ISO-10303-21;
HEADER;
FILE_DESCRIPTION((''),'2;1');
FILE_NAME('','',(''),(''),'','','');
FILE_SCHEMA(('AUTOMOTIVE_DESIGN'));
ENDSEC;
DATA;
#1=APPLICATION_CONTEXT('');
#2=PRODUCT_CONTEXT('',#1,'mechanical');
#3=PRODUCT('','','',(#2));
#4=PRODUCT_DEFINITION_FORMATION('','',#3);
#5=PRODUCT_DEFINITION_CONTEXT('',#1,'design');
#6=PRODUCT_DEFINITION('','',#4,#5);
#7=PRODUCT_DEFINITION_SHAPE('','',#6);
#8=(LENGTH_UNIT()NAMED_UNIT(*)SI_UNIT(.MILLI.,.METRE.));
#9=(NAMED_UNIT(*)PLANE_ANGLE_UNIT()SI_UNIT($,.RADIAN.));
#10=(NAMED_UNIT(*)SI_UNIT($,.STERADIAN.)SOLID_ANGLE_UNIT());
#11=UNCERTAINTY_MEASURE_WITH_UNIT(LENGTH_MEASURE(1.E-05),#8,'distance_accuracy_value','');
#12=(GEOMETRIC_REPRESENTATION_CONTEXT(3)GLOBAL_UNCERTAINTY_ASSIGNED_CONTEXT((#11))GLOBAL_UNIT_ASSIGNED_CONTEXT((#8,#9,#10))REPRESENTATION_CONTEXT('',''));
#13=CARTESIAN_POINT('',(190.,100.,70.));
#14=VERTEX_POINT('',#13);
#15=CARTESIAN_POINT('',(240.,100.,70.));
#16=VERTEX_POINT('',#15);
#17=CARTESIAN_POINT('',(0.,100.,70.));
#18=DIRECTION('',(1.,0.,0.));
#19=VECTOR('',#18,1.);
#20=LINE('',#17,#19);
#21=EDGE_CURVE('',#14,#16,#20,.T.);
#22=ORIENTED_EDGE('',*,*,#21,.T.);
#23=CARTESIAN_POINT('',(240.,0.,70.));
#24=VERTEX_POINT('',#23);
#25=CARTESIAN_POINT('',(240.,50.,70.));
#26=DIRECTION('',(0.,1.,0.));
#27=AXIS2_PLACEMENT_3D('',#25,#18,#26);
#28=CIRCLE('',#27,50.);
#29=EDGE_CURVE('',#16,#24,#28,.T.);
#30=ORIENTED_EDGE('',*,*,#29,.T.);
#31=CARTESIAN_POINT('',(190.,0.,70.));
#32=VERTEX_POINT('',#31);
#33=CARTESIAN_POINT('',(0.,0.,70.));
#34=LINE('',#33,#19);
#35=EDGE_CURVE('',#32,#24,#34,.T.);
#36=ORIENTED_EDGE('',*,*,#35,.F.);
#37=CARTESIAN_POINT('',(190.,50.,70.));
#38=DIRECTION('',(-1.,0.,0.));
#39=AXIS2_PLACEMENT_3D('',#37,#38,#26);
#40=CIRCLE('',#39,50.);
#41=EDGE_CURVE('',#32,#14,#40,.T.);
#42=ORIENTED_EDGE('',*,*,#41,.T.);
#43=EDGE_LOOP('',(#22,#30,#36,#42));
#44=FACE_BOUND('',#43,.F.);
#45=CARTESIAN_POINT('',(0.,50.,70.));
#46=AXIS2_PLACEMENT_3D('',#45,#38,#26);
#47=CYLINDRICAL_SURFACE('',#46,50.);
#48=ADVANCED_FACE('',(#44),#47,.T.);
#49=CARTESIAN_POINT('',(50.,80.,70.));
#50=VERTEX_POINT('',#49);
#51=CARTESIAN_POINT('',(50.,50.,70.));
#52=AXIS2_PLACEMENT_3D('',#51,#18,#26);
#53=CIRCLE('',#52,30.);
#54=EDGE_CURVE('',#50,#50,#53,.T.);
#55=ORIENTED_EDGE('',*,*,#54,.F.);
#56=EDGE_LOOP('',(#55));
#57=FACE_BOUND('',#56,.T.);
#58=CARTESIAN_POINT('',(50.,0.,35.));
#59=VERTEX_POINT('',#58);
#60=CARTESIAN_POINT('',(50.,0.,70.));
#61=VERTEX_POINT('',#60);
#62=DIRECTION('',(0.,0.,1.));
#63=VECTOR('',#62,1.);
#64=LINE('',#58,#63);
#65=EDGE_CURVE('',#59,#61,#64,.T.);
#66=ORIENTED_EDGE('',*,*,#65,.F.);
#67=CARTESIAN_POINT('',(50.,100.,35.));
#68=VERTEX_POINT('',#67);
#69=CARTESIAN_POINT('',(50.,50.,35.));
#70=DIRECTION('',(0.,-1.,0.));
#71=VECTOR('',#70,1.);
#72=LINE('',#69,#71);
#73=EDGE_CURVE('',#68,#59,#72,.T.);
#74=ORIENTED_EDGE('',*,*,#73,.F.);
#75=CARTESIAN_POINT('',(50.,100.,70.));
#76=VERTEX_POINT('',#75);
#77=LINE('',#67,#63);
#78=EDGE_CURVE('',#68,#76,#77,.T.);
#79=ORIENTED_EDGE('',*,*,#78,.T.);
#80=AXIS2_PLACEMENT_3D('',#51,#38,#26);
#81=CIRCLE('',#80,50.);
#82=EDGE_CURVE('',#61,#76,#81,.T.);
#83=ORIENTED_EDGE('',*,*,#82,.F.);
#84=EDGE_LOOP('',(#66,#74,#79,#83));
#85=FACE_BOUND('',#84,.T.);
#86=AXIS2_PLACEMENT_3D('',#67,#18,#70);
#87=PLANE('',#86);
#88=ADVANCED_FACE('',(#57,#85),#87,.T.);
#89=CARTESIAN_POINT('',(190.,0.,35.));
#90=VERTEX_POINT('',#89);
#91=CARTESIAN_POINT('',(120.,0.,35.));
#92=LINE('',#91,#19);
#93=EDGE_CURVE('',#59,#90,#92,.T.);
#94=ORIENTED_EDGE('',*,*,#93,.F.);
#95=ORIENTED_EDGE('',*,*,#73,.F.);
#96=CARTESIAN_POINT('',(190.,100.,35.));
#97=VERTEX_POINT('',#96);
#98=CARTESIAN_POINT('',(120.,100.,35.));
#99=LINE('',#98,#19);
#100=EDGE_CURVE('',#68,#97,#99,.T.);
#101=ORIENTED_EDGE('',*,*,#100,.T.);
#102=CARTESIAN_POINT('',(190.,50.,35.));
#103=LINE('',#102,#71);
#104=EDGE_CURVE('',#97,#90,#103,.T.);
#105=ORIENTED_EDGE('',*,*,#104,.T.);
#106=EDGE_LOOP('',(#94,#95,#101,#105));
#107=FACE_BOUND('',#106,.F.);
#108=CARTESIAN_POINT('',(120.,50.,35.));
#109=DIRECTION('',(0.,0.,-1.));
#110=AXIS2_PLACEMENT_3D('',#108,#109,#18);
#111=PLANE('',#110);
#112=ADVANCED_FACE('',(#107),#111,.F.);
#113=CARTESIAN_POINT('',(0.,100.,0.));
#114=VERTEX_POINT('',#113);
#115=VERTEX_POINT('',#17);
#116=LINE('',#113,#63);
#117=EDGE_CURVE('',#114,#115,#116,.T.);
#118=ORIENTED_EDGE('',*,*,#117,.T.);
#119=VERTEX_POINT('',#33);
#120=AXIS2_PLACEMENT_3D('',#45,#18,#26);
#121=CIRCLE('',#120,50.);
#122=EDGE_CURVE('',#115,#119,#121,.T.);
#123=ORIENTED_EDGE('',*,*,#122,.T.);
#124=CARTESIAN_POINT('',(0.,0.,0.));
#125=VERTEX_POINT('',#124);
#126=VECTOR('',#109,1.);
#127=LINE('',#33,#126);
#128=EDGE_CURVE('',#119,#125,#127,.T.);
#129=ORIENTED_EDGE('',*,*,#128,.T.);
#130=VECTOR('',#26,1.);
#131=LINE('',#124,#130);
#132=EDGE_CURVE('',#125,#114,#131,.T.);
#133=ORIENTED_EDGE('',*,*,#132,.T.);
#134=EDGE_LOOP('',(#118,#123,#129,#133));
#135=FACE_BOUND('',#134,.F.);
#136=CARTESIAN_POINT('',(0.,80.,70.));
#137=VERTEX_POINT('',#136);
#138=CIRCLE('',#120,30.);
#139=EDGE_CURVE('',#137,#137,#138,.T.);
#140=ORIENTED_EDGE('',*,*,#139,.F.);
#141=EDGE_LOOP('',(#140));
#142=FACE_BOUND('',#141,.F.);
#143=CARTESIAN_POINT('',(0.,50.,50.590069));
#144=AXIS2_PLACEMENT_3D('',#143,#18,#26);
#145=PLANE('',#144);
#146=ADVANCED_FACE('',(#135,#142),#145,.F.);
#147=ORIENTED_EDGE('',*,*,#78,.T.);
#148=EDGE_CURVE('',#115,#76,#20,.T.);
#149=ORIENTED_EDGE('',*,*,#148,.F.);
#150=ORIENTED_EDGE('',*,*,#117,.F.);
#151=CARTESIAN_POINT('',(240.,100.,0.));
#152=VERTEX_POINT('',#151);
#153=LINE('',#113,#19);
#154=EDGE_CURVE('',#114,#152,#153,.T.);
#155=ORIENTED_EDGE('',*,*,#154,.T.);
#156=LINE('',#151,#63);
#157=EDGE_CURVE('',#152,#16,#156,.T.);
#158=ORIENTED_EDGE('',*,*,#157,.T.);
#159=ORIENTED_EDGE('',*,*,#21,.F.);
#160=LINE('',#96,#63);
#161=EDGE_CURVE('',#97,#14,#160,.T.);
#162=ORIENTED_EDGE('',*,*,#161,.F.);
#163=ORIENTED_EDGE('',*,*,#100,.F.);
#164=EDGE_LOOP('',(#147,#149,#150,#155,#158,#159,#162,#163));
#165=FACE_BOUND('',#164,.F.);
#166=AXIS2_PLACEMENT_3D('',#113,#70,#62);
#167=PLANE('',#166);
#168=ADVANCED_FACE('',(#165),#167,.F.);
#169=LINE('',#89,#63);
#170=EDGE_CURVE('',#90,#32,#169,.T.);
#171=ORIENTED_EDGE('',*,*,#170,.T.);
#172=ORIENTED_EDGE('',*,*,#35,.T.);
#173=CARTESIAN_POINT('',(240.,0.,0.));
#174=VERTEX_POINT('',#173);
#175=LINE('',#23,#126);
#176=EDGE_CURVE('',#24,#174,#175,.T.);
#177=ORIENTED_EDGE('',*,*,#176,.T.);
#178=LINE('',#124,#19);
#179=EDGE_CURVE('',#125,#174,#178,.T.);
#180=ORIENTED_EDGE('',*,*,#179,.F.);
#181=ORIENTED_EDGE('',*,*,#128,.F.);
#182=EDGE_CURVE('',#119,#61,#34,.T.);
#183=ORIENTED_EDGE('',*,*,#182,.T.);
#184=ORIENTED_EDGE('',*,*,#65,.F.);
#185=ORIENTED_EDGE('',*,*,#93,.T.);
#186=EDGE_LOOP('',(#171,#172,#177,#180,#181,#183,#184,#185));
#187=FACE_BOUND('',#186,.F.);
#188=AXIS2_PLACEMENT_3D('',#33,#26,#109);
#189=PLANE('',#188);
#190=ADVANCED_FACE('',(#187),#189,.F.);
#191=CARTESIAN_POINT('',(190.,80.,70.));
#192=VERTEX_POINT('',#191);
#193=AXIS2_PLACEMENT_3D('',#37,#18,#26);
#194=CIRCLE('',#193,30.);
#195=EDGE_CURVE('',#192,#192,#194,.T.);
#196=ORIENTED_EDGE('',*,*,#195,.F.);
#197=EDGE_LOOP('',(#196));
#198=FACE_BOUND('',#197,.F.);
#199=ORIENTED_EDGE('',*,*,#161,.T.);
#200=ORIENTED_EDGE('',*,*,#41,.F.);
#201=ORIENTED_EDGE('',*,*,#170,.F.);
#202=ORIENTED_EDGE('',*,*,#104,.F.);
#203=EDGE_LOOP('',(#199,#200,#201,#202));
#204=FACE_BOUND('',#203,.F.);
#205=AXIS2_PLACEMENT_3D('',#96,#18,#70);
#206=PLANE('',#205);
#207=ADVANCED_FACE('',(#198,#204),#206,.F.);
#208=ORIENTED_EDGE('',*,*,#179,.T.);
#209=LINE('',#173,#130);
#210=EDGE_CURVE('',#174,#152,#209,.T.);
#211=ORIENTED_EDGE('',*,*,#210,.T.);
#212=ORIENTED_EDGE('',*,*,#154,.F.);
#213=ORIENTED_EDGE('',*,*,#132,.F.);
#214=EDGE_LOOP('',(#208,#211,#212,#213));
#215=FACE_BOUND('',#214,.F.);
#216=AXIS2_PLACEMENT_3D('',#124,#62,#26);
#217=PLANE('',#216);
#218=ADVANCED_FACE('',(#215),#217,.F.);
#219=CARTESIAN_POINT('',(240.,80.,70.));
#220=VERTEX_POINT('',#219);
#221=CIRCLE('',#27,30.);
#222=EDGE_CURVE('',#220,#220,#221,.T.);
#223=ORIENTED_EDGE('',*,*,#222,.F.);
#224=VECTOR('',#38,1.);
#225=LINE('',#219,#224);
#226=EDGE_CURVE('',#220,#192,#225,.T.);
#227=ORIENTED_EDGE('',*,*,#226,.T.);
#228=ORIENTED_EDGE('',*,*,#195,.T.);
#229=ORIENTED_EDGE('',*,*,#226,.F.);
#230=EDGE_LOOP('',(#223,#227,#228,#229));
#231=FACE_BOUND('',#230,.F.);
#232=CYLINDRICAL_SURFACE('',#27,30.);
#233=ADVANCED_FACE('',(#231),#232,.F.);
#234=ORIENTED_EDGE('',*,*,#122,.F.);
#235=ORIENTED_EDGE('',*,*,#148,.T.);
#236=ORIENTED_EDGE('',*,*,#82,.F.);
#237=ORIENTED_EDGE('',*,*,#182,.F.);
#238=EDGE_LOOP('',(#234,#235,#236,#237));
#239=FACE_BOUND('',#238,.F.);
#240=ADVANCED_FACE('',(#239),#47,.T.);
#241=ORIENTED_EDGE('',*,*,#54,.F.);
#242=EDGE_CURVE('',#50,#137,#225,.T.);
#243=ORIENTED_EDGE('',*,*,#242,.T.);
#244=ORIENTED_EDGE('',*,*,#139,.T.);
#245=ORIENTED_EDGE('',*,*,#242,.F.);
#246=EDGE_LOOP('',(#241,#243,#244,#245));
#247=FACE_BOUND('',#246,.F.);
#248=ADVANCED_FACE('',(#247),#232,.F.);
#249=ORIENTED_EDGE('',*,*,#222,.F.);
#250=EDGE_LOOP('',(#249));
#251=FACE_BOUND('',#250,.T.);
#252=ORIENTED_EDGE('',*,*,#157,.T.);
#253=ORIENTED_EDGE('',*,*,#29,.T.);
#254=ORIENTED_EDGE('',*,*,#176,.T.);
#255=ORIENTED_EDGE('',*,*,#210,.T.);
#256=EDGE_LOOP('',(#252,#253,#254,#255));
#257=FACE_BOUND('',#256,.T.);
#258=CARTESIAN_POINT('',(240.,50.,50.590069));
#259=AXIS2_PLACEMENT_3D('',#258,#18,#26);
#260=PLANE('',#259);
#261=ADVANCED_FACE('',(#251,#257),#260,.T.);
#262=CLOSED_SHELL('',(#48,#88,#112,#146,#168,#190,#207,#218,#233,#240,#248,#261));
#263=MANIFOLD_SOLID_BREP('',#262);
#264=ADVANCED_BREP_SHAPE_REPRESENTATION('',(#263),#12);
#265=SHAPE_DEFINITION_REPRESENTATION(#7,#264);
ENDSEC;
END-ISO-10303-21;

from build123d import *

# Parameters (mm, degrees)
F1_DEPTH = 240
F2_R     = 30
F3_DEPTH = 240
F5_W     = 140
F5_H     = 100
F6_DEPTH = 85.001


with BuildPart() as f1:
    # F0 (on Right) → F1 (new body)
    with BuildSketch(Plane.YZ):
        with BuildLine():
            Line((0, 70), (0, 0))
            Line((0, 0), (100, 0))
            Line((100, 0), (100, 70))
            ThreePointArc((100, 70), (50, 120), (0, 70))
        make_face()
    extrude(amount=F1_DEPTH)

    # F2 (on face) → F3 (cut, through all)
    with BuildSketch(Plane.YZ.offset(240)):
        with Locations((50, 70)):
            Circle(F2_R)
    extrude(amount=-F3_DEPTH, mode=Mode.SUBTRACT)

    # F5 (on offset) → F6 (cut, through all)
    with BuildSketch(Plane(origin=(0, 0, 35), x_dir=(1, 0, 0), z_dir=(0, 0, -1))):
        with Locations((120, -50)):
            Rectangle(F5_W, F5_H)
    extrude(amount=-F6_DEPTH, mode=Mode.SUBTRACT)


solid = f1.part
